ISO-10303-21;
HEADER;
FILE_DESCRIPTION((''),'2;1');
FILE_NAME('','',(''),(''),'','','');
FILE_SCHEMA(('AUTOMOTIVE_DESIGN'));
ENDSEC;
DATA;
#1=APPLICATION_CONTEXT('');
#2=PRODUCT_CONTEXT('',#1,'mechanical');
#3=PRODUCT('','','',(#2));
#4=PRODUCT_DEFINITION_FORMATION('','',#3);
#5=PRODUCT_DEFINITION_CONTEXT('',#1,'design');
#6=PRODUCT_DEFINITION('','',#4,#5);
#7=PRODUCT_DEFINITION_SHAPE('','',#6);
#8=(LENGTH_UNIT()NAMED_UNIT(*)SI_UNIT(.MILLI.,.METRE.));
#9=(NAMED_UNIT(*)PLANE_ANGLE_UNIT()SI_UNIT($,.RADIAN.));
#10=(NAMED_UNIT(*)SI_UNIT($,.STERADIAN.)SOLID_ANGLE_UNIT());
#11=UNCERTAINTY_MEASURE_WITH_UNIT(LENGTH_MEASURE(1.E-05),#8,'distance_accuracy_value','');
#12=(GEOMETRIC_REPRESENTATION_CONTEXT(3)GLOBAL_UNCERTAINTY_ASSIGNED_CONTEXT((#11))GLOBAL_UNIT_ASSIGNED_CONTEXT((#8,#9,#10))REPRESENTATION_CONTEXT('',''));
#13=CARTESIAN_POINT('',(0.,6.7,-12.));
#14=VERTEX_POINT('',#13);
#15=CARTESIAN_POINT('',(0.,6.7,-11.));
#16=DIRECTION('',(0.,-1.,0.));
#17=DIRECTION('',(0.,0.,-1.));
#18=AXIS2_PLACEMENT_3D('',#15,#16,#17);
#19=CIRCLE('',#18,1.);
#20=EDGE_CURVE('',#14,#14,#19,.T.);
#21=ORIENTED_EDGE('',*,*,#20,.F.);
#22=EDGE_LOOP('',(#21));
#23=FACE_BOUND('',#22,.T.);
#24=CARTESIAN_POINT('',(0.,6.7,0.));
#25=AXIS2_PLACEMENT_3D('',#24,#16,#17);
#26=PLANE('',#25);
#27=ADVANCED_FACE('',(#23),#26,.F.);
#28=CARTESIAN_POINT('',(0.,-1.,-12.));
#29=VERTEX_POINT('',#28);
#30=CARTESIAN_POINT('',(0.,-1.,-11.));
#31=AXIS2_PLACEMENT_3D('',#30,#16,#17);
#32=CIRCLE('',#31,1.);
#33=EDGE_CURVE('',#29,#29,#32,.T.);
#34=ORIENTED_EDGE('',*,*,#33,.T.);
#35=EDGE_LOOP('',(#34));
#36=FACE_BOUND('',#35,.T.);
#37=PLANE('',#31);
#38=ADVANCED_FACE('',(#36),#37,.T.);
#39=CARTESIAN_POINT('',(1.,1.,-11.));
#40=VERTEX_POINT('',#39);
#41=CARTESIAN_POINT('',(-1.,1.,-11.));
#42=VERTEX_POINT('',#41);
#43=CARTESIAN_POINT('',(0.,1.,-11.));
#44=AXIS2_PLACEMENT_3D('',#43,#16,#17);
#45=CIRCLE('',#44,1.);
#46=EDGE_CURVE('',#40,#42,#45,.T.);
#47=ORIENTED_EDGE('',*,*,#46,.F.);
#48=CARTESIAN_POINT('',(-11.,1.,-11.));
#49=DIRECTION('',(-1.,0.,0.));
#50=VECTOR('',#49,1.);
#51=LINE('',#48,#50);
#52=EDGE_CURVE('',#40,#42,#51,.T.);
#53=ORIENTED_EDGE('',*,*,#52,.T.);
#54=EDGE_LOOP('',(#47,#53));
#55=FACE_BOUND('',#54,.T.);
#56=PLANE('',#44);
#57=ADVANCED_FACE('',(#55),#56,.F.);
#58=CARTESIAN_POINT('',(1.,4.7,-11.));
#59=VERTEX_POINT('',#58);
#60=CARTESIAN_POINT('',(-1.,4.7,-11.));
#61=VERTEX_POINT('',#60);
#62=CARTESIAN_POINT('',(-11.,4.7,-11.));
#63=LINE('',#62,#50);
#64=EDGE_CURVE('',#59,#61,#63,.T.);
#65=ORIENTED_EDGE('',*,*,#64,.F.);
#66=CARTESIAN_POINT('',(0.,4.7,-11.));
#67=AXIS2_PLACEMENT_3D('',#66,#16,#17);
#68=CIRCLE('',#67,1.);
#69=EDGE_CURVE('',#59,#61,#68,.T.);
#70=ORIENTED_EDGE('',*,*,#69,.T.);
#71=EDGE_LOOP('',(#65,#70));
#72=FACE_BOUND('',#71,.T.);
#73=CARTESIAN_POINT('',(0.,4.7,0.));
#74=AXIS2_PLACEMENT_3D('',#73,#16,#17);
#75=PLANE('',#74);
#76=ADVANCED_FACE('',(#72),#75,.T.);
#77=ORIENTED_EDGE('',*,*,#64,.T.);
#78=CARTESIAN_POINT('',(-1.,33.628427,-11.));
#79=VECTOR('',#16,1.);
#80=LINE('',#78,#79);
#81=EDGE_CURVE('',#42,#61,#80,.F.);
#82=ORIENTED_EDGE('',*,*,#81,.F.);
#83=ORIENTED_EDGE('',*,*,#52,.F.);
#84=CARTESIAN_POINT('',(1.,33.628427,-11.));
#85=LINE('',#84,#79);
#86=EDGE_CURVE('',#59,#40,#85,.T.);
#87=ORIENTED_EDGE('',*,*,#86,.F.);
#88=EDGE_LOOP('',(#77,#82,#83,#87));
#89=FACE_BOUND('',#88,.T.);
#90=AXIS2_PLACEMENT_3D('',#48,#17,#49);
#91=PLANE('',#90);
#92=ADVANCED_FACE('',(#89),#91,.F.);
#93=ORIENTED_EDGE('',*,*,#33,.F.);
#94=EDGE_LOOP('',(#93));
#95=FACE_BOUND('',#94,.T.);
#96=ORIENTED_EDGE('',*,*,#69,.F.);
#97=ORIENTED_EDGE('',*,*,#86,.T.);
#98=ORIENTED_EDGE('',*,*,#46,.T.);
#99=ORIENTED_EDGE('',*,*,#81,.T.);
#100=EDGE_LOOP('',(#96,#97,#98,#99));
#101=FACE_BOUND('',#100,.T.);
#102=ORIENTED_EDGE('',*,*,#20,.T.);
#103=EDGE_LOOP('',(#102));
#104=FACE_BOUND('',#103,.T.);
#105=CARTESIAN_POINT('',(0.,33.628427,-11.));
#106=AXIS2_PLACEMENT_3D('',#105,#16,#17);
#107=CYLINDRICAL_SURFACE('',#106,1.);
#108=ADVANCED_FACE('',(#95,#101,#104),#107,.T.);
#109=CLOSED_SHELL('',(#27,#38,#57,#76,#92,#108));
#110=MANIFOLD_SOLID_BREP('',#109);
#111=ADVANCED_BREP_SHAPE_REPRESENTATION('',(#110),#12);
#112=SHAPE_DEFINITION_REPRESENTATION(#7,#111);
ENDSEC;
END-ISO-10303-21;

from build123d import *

# Parameters (mm, degrees)
SKETCH1_R           = 13
BOSS_EXTRUDE1_DEPTH = 1
SKETCH16_R          = 13
BOSS_EXTRUDE3_DEPTH = 1
SKETCH19_R          = 1
BOSS_EXTRUDE4_DEPTH = 29.8
SKETCH18_W          = 22
SKETCH18_H          = 22
CUT_EXTRUDE6_DEPTH  = 3.7
SKETCH21_R          = 11
CUT_EXTRUDE7_DEPTH  = 3.7
SKETCH22_R          = 11
CUT_EXTRUDE8_DEPTH  = 3.7
SKETCH23_R          = 11
CUT_EXTRUDE9_DEPTH  = 3.7
SKETCH24_R          = 19.921792127
CUT_EXTRUDE10_DEPTH = 1
SKETCH25_R          = 36.182885583
CUT_EXTRUDE11_DEPTH = 1
BOSS_EXTRUDE5_START = 2
BOSS_EXTRUDE5_DEPTH = 2
SKETCH27_R          = 1
BOSS_EXTRUDE6_DEPTH = 2
SKETCH28_R          = 15.857434306
CUT_EXTRUDE12_DEPTH = 26.1


with BuildPart() as part:
    # Sketch1 → Boss-Extrude1 (new body)
    with BuildSketch(Plane(origin=(0, 0, 0), x_dir=(1, 0, 0), z_dir=(0, 1, 0))):
        with Locations(Location((0, 0, 0), (0, 0, 270))):
            Circle(SKETCH1_R)
    extrude(amount=BOSS_EXTRUDE1_DEPTH)



with BuildPart() as body_2:
    # Sketch16 → Boss-Extrude3 (new body)
    with BuildSketch(Plane(origin=(0, 30.8, 0), x_dir=(1, 0, 0), z_dir=(0, 1, 0))):
        with Locations(Location((0, 0, 0), (0, 0, 270))):
            Circle(SKETCH16_R)
    extrude(amount=BOSS_EXTRUDE3_DEPTH)


with BuildPart() as part_1:
    add(part.part)

    add(body_2.part)  # Boss-Extrude4 merges body 2
    # Sketch19 → Boss-Extrude4 (add)
    with BuildSketch(Plane(origin=(0, 1, 0), x_dir=(1, 0, 0), z_dir=(0, 1, 0))):
        with Locations(Location((0, 11, 0), (0, 0, 270))):
            Circle(SKETCH19_R)
    extrude(amount=BOSS_EXTRUDE4_DEPTH)

    # Sketch18 → Cut-Extrude6 (cut)
    with BuildSketch(Plane(origin=(0, 4.7, 0), x_dir=(1, 0, 0), z_dir=(0, 1, 0))):
        Rectangle(SKETCH18_W, SKETCH18_H)
    extrude(amount=-CUT_EXTRUDE6_DEPTH, mode=Mode.SUBTRACT)

    # Sketch21 → Cut-Extrude7 (cut)
    with BuildSketch(Plane(origin=(0, 13.4, 0), x_dir=(1, 0, 0), z_dir=(0, 1, 0))):
        Circle(SKETCH21_R)
    extrude(amount=-CUT_EXTRUDE7_DEPTH, mode=Mode.SUBTRACT)

    # Sketch22 → Cut-Extrude8 (cut)
    with BuildSketch(Plane(origin=(0, 22.1, 0), x_dir=(1, 0, 0), z_dir=(0, 1, 0))):
        Circle(SKETCH22_R)
    extrude(amount=-CUT_EXTRUDE8_DEPTH, mode=Mode.SUBTRACT)

    # Sketch23 → Cut-Extrude9 (cut)
    with BuildSketch(Plane(origin=(0, 30.8, 0), x_dir=(1, 0, 0), z_dir=(0, 1, 0))):
        Circle(SKETCH23_R)
    extrude(amount=-CUT_EXTRUDE9_DEPTH, mode=Mode.SUBTRACT)

    # Sketch24 → Cut-Extrude10 (cut)
    with BuildSketch(Plane(origin=(0, 31.8, 0), x_dir=(1, 0, 0), z_dir=(0, 1, 0))):
        Circle(SKETCH24_R)
    extrude(amount=-CUT_EXTRUDE10_DEPTH, mode=Mode.SUBTRACT)

    # Sketch25 → Cut-Extrude11 (cut)
    with BuildSketch(Plane(origin=(0, 1, 0), x_dir=(1, 0, 0), z_dir=(0, 1, 0))):
        Circle(SKETCH25_R)
    extrude(amount=-CUT_EXTRUDE11_DEPTH, mode=Mode.SUBTRACT)

    # Sketch26 → Boss-Extrude5 (add)
    with BuildSketch(Plane(origin=(0, 30.8, 0), x_dir=(1, 0, 0), z_dir=(0, 1, 0)).offset(BOSS_EXTRUDE5_START)):
        with BuildLine():
            ThreePointArc((-0.998966408, 10.954545455), (0, 11), (0.998966408, 10.954545455))
            ThreePointArc((0.998966408, 10.954545455), (0, 12), (-0.998966408, 10.954545455))
        make_face()
        with BuildLine():
            ThreePointArc((0.998966408, 10.954545455), (0.999741569, 10.977266852), (1, 11))
            ThreePointArc((1, 11), (-0.022733148, 11.999741569), (-0.998966408, 10.954545455))
            ThreePointArc((-0.998966408, 10.954545455), (0, 11), (0.998966408, 10.954545455))
        make_face()
        with BuildLine():
            ThreePointArc((0.998966408, 10.954545455), (0, 11), (-0.998966408, 10.954545455))
            ThreePointArc((-0.998966408, 10.954545455), (0, 10), (0.998966408, 10.954545455))
        make_face()
    extrude(amount=-BOSS_EXTRUDE5_DEPTH)

    # Sketch27 → Boss-Extrude6 (add)
    with BuildSketch(Plane.XZ.offset(-1)):
        with Locations(Location((0, -11, 0), (0, 0, 270))):
            Circle(SKETCH27_R)
    extrude(amount=BOSS_EXTRUDE6_DEPTH)

    # Sketch28 → Cut-Extrude12 (cut)
    with BuildSketch(Plane(origin=(0, 32.8, 0), x_dir=(1, 0, 0), z_dir=(0, 1, 0))):
        with Locations((-0.375221001, 0)):
            Circle(SKETCH28_R)
    extrude(amount=-CUT_EXTRUDE12_DEPTH, mode=Mode.SUBTRACT)


solid = part_1.part
